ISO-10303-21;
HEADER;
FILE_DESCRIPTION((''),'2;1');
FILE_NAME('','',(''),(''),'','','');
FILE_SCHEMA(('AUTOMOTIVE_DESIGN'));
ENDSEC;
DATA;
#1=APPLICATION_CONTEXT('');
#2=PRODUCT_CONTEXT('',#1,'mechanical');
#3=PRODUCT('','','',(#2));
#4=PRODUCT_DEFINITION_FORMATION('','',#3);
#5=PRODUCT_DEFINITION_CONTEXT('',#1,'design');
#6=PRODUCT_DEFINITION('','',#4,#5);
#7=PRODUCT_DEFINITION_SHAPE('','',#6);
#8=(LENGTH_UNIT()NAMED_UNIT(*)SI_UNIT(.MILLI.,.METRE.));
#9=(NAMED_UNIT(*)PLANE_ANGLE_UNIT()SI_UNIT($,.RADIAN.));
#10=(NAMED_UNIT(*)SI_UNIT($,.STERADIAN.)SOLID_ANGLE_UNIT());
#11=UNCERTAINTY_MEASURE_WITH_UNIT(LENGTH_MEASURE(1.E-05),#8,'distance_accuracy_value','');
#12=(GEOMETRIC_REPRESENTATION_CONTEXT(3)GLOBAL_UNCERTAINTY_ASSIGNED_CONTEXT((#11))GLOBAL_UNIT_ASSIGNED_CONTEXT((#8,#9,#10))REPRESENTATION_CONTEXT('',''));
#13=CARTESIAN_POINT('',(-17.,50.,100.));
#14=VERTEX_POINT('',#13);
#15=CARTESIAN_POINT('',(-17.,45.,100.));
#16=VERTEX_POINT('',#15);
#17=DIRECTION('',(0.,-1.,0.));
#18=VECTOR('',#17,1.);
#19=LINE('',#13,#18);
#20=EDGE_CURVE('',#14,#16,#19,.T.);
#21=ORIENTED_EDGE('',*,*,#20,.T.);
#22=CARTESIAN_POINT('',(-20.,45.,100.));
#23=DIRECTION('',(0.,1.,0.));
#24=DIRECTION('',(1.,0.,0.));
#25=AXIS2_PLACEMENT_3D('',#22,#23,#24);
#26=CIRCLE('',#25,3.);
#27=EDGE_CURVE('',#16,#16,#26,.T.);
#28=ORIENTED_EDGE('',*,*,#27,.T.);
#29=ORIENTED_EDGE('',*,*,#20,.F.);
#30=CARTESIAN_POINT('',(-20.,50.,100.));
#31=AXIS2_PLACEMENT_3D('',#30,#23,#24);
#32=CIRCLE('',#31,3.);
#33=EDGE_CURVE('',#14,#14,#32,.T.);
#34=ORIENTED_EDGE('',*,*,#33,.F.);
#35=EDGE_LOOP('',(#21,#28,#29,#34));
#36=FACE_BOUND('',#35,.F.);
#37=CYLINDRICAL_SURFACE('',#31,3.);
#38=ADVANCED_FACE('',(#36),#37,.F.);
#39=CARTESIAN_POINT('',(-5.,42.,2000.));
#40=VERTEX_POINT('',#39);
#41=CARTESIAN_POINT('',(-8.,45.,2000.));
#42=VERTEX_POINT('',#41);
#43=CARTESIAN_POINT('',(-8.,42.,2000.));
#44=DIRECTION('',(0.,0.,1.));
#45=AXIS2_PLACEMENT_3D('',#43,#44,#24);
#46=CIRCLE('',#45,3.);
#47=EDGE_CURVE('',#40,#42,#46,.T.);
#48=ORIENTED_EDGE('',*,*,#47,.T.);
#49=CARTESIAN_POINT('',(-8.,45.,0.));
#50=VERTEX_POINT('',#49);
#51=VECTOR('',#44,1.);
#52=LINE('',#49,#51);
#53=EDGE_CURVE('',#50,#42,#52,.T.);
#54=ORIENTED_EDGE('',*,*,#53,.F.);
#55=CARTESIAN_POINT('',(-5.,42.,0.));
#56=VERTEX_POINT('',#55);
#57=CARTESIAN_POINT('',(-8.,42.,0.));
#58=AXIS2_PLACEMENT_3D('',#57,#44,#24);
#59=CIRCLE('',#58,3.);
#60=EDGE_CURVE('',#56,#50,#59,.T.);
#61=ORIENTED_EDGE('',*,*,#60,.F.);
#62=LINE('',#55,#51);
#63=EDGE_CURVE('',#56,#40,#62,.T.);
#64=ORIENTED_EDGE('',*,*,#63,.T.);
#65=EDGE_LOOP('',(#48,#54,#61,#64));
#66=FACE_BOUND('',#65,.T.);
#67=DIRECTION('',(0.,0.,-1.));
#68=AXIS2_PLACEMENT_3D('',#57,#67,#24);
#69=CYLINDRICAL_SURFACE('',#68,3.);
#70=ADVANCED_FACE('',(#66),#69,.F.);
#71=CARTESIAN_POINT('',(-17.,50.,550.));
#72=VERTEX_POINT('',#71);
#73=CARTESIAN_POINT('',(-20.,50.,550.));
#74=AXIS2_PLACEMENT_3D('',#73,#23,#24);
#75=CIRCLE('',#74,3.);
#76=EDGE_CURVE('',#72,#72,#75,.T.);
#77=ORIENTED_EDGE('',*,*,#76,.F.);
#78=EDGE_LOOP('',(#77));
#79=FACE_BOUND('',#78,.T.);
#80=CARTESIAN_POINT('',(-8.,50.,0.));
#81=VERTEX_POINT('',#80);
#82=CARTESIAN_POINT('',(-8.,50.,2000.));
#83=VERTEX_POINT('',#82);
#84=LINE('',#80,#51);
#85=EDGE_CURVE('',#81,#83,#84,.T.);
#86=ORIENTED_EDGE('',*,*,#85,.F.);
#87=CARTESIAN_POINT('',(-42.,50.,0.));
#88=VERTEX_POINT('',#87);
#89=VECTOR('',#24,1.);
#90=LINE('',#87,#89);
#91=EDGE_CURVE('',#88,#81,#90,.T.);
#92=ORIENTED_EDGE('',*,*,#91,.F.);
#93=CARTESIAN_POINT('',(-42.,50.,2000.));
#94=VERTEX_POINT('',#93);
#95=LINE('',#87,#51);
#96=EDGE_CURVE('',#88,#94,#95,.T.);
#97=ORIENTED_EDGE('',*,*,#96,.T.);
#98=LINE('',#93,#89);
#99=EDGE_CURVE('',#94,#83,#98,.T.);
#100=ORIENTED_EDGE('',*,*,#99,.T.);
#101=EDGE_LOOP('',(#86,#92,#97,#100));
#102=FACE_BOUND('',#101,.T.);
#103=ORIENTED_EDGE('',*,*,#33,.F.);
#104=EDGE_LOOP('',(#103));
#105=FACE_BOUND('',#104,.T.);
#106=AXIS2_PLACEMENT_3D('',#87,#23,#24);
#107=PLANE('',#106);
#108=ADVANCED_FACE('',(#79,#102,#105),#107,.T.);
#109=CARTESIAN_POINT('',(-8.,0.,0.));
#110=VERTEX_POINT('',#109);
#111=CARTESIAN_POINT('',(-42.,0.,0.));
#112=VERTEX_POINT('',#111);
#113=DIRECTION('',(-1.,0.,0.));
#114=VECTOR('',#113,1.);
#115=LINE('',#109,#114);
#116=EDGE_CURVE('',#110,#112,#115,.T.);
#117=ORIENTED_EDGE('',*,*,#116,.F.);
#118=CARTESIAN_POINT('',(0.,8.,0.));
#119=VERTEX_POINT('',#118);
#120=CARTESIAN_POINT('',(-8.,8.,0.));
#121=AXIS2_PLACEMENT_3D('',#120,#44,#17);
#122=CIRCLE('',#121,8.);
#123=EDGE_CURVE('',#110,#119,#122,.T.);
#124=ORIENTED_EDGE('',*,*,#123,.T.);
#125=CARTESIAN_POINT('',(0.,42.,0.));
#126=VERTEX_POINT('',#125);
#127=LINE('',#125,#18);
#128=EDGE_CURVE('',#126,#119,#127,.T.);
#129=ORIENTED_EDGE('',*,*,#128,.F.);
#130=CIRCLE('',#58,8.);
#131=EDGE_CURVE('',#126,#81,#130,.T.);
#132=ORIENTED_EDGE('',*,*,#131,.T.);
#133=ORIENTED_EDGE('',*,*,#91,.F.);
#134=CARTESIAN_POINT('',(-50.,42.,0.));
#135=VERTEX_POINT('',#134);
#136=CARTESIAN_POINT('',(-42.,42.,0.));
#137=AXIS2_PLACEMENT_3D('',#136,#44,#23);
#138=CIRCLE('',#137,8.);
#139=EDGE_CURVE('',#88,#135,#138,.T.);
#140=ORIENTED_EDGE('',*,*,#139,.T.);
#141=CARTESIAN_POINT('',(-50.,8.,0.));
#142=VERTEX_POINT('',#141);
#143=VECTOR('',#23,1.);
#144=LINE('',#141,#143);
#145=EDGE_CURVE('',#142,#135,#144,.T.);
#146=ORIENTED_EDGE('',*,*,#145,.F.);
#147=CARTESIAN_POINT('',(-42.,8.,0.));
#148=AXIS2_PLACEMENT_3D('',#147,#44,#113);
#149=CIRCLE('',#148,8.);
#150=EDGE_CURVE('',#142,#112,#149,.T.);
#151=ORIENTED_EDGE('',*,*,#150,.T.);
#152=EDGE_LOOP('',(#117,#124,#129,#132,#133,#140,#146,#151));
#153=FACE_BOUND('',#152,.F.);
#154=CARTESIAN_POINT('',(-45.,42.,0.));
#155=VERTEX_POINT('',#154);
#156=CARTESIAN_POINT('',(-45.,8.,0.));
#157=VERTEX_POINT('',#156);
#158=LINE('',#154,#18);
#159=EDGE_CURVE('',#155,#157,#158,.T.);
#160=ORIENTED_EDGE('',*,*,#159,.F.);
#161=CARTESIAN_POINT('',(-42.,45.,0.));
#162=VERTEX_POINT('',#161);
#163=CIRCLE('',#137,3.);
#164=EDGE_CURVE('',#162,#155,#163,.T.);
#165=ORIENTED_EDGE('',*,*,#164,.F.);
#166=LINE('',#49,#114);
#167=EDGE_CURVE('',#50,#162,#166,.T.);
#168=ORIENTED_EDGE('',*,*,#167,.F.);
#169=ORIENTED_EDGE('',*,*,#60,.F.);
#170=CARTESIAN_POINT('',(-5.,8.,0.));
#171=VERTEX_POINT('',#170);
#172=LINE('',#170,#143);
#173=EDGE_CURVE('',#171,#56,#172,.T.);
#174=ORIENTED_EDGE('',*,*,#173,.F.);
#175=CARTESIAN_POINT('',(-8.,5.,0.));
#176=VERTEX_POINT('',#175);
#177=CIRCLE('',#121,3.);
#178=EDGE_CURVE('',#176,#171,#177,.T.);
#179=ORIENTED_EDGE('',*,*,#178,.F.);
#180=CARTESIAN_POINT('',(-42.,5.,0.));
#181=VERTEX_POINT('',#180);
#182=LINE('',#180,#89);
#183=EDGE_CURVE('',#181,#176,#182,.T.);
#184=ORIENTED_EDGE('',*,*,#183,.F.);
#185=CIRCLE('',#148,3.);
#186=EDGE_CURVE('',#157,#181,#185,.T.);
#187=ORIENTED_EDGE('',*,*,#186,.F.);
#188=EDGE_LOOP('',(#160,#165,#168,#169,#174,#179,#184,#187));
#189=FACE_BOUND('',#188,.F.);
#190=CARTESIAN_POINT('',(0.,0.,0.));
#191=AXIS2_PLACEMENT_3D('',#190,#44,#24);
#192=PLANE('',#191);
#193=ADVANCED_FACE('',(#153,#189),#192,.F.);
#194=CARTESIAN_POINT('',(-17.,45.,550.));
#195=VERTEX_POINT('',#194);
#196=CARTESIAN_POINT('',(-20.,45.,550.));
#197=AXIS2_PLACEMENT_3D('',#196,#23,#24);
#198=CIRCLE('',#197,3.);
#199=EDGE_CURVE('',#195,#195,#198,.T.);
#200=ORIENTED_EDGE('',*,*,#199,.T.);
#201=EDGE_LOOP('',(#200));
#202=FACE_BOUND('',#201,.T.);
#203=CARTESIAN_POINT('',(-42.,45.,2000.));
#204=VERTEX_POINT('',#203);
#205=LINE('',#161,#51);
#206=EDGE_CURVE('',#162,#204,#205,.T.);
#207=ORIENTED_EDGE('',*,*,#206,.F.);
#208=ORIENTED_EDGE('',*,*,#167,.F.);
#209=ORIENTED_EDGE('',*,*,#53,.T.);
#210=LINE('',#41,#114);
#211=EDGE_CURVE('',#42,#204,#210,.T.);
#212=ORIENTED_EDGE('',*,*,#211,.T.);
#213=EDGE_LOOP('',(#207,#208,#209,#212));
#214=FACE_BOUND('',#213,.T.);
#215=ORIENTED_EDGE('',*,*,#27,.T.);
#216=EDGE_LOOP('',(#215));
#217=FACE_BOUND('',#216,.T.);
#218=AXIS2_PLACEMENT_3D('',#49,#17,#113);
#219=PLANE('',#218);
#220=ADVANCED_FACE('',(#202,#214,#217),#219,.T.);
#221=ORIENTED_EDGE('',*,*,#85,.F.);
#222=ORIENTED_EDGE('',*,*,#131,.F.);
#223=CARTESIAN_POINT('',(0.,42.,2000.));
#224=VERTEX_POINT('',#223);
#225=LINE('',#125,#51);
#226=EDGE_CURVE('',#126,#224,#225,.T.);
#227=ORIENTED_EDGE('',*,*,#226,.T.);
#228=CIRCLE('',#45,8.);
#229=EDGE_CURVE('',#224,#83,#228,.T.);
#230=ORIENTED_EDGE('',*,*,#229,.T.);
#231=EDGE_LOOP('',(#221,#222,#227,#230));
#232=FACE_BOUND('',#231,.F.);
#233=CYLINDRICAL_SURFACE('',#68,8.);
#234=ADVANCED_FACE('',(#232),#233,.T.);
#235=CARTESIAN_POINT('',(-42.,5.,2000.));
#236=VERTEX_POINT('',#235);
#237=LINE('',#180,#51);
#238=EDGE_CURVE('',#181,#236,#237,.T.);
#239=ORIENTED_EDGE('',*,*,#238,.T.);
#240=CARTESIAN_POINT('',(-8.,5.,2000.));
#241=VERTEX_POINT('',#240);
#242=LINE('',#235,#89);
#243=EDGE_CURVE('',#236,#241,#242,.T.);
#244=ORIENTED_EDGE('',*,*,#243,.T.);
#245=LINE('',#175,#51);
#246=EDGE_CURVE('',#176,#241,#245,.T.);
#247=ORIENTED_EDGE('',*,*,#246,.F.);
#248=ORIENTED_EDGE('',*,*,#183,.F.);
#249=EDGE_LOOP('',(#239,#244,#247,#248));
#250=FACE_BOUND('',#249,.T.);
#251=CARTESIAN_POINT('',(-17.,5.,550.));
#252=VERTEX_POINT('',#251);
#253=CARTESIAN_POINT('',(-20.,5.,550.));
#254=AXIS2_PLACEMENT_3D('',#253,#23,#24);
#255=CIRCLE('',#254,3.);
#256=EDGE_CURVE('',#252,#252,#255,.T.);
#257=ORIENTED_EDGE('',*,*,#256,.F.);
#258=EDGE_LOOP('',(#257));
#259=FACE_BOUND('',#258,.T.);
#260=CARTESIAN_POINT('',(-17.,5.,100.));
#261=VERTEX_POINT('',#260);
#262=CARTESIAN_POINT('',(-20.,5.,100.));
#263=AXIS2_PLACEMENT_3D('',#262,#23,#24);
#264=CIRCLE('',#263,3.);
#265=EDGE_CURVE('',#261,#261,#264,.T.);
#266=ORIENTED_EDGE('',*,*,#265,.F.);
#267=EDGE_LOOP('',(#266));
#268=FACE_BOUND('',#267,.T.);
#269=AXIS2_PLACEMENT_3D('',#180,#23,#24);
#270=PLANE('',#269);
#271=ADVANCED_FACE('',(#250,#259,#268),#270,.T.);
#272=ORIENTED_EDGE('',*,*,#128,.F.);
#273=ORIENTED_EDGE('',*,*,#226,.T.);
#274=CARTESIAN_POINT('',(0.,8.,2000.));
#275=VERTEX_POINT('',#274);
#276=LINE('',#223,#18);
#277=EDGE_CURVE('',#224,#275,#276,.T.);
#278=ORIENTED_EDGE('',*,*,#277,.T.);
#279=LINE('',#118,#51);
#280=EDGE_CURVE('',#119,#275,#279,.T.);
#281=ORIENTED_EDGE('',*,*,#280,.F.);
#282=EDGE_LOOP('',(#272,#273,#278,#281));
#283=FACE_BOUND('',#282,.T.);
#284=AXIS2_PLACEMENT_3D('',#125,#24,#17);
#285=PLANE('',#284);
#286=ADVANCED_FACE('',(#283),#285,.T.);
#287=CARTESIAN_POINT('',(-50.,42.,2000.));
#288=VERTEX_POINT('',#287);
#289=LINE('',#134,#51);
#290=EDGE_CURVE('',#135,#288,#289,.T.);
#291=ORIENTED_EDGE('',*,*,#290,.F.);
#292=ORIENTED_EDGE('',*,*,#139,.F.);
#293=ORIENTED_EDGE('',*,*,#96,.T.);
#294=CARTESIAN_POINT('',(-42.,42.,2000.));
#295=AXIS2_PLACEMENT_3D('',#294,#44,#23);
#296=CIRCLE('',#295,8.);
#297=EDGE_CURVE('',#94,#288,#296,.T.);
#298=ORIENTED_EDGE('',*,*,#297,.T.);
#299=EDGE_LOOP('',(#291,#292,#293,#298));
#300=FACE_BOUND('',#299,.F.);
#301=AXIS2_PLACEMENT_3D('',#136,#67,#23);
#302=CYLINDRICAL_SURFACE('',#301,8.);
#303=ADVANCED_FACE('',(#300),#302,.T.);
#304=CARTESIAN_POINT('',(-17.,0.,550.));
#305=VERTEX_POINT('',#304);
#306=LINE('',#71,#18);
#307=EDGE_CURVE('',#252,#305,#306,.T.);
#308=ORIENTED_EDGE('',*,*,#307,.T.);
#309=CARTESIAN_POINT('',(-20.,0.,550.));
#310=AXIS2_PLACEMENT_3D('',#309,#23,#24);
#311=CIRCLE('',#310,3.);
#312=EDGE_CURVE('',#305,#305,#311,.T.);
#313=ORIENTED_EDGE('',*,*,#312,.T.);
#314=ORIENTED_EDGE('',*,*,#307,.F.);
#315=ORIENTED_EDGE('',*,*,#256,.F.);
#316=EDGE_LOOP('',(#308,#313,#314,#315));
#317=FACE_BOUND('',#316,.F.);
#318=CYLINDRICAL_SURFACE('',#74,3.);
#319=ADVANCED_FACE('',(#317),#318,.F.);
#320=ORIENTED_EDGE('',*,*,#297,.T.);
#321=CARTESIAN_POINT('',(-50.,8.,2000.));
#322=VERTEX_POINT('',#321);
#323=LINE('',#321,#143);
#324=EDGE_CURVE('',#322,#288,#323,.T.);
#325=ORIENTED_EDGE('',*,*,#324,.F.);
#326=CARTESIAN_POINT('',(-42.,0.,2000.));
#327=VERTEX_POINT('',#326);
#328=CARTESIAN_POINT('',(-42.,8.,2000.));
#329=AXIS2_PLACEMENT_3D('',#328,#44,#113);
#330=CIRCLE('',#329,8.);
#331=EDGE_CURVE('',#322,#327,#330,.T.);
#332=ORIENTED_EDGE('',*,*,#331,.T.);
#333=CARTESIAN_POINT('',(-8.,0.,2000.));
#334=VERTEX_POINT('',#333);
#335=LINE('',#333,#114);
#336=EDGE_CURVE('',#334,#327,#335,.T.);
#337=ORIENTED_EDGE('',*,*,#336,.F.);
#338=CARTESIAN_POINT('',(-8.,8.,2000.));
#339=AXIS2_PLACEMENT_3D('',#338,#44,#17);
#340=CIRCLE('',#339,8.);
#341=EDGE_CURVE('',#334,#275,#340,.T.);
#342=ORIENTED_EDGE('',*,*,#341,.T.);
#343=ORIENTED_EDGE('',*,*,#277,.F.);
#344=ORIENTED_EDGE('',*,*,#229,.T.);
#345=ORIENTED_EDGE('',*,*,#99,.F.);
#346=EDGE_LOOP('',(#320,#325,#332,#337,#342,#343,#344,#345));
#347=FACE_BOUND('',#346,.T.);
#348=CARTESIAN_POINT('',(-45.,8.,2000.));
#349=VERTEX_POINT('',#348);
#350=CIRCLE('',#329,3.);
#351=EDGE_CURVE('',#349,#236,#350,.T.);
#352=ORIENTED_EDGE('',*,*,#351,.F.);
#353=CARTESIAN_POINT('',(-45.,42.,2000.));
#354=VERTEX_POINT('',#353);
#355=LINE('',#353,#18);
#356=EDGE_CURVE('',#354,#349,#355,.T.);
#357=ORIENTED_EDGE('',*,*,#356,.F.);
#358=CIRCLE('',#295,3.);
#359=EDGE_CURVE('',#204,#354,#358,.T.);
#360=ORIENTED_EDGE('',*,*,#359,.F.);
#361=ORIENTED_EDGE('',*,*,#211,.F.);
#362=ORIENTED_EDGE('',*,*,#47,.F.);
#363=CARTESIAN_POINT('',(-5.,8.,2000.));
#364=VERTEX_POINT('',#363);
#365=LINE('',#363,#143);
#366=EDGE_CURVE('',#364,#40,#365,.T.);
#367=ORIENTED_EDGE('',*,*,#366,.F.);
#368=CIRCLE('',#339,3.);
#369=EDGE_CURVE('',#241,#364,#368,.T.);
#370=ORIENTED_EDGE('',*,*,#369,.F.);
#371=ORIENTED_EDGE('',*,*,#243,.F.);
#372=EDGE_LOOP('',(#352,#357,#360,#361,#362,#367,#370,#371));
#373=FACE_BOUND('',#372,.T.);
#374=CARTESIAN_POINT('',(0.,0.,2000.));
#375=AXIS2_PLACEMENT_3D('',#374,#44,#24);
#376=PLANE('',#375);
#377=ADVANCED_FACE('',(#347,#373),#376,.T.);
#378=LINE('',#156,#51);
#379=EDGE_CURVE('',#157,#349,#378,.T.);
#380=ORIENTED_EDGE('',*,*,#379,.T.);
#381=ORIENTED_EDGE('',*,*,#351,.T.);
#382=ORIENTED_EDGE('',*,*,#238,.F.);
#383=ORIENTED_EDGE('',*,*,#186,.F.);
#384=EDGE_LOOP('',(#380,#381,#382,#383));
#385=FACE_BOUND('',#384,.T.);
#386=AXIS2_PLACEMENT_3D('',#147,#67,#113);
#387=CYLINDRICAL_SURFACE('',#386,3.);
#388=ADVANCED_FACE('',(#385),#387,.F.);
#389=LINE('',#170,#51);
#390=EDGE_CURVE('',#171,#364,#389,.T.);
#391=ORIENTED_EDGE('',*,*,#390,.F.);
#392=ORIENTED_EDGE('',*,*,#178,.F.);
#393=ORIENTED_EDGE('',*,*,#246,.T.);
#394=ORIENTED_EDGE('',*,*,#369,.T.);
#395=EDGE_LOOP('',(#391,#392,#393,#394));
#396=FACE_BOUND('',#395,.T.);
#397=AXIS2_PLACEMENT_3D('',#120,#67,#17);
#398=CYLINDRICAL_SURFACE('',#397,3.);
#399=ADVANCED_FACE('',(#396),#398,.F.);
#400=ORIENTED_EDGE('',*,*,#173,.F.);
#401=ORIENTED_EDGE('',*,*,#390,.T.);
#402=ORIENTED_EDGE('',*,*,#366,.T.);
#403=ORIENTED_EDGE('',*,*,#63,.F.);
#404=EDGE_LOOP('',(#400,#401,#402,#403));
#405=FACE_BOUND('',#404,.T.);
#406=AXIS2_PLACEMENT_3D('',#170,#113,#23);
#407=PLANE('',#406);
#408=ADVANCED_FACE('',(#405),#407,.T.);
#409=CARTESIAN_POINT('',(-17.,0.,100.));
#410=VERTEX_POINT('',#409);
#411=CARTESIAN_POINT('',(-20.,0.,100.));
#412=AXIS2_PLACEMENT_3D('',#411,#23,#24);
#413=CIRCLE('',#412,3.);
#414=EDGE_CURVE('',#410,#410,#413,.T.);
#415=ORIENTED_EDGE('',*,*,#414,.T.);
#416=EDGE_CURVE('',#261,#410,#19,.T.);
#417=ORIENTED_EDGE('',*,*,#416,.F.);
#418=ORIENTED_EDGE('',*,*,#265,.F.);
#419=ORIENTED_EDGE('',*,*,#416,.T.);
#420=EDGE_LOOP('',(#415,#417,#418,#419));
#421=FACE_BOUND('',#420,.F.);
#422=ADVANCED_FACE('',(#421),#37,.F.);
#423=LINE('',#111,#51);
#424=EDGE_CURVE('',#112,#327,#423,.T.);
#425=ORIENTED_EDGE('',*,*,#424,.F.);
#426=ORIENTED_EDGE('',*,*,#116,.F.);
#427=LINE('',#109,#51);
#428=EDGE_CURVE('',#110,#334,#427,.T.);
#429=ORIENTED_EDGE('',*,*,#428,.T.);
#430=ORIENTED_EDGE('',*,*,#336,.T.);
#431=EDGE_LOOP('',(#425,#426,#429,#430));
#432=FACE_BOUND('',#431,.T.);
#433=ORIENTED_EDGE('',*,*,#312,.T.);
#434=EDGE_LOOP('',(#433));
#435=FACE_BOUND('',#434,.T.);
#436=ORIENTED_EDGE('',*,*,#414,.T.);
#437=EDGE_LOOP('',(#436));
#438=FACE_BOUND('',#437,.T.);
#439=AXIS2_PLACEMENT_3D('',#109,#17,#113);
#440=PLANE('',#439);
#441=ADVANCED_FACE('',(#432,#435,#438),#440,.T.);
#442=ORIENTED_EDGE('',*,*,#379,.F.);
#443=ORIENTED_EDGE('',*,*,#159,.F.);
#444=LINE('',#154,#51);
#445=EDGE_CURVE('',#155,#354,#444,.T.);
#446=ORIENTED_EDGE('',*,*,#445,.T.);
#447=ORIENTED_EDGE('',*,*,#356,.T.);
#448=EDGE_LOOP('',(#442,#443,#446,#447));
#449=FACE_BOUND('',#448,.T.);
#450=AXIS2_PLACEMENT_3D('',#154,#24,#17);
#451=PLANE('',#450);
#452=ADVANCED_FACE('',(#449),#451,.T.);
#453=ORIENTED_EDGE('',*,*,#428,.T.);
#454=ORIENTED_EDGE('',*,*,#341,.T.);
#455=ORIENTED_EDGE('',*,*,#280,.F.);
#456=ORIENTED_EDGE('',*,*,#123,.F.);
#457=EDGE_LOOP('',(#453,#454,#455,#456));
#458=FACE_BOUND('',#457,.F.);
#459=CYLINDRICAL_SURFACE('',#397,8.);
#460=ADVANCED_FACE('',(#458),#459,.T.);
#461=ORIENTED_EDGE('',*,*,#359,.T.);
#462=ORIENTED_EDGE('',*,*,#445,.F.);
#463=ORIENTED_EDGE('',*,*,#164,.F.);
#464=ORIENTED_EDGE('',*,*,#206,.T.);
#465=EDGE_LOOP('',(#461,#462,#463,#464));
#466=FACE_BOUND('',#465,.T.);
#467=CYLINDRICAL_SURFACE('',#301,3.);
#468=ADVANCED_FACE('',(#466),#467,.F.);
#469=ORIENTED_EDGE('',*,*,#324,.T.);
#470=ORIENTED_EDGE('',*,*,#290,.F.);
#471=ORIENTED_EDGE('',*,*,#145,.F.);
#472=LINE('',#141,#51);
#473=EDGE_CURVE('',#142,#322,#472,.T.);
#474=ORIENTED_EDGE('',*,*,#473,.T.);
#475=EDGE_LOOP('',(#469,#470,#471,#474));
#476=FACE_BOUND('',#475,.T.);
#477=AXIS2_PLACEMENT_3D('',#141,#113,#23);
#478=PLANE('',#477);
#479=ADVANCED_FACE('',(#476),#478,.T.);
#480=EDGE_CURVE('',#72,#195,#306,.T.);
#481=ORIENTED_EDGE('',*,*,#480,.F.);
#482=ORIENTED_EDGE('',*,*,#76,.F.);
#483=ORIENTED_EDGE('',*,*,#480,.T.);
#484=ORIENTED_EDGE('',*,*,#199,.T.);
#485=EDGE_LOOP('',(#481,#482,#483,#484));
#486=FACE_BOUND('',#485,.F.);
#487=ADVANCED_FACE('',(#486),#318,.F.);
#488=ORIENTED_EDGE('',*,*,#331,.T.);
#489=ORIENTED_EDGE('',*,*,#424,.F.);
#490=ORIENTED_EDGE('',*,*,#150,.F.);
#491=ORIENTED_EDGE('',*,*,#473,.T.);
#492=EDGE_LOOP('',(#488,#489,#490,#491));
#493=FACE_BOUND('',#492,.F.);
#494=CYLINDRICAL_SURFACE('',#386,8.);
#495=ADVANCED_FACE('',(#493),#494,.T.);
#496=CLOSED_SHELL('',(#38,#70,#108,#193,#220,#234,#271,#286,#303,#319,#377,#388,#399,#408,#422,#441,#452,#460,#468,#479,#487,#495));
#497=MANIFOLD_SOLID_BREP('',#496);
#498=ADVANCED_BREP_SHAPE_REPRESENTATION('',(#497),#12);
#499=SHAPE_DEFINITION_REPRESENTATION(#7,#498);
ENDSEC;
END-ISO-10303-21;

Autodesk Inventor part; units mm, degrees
ref_plane "YZ Plane" through (0, 0, 0) normal (1, 0, 0) x (0, 1, 0)
ref_plane "XZ Plane" through (0, 0, 0) normal (0, 1, 0) x (-1, 0, 0)
ref_plane "XY Plane" through (0, 0, 0) normal (0, 0, 1) x (1, 0, 0)
sketch "Sketch1" plane through (0, 0, 0) normal (0, 0, 1) x (1, 0, 0)
  line L0 (-8, 0) -> (-42, 0)
  line L1 (-50, 8) -> (-50, 42)
  line L2 (-42, 50) -> (-8, 50)
  line L3 (0, 42) -> (0, 8)
  arc A0 (-42, 50) -> (-50, 42) centre (-42, 42) ccw
  arc A1 (0, 42) -> (-8, 50) centre (-8, 42) ccw
  arc A2 (-8, 0) -> (0, 8) centre (-8, 8) ccw
  arc A3 (-50, 8) -> (-42, 0) centre (-42, 8) ccw
  line L4 (-45, 42) -> (-45, 8)
  arc A4 (-45, 8) -> (-42, 5) centre (-42, 8) ccw
  line L5 (-42, 5) -> (-8, 5)
  arc A5 (-8, 5) -> (-5, 8) centre (-8, 8) ccw
  line L6 (-5, 8) -> (-5, 42)
  arc A6 (-5, 42) -> (-8, 45) centre (-8, 42) ccw
  line L7 (-8, 45) -> (-42, 45)
  arc A7 (-42, 45) -> (-45, 42) centre (-42, 42) ccw
  point P0 (0, 0)
  point P1 (-50, 50)
  point P2 (-50, 0)
  point P3 (0, 50)
  dimension "d0" = 50
  dimension "d1" = 50
  dimension "d2" = 8
  dimension "d3" = 5
extrude "Extrusion1" add sketch "Sketch1" along normal blind 2000
sketch "Sketch2" plane through (-42, 50, 0) normal (0, 1, 0) x (1, 0, 0)
  line L0 (0, 0) -> (34, 0) projected
  line L1 (34, 0) -> (34, -54.5049)
  line L2 (34, 0) -> (34, -2000) projected
  circle A0 centre (22, -100) radius 3
  point P0 (42, 0)
  point P1 (22, -550)
  point P2 (22, -1000)
  point P3 (22, -1450)
  dimension "d6" = 20
  dimension "d7" = 100
  dimension "d10" = 450
  dimension "d22" = 6
extrude "Extrusion2" cut sketch "Sketch2" against normal through all
pattern_linear "Rectangular Pattern1" count 2 spacing 450 along (0, 0, 1) of "Extrusion2"
ref_plane "Work Plane1" through (-20, 50, 550) normal (1, 0, 0) x (0, -1, 0)
properties part number "50x50x5"
